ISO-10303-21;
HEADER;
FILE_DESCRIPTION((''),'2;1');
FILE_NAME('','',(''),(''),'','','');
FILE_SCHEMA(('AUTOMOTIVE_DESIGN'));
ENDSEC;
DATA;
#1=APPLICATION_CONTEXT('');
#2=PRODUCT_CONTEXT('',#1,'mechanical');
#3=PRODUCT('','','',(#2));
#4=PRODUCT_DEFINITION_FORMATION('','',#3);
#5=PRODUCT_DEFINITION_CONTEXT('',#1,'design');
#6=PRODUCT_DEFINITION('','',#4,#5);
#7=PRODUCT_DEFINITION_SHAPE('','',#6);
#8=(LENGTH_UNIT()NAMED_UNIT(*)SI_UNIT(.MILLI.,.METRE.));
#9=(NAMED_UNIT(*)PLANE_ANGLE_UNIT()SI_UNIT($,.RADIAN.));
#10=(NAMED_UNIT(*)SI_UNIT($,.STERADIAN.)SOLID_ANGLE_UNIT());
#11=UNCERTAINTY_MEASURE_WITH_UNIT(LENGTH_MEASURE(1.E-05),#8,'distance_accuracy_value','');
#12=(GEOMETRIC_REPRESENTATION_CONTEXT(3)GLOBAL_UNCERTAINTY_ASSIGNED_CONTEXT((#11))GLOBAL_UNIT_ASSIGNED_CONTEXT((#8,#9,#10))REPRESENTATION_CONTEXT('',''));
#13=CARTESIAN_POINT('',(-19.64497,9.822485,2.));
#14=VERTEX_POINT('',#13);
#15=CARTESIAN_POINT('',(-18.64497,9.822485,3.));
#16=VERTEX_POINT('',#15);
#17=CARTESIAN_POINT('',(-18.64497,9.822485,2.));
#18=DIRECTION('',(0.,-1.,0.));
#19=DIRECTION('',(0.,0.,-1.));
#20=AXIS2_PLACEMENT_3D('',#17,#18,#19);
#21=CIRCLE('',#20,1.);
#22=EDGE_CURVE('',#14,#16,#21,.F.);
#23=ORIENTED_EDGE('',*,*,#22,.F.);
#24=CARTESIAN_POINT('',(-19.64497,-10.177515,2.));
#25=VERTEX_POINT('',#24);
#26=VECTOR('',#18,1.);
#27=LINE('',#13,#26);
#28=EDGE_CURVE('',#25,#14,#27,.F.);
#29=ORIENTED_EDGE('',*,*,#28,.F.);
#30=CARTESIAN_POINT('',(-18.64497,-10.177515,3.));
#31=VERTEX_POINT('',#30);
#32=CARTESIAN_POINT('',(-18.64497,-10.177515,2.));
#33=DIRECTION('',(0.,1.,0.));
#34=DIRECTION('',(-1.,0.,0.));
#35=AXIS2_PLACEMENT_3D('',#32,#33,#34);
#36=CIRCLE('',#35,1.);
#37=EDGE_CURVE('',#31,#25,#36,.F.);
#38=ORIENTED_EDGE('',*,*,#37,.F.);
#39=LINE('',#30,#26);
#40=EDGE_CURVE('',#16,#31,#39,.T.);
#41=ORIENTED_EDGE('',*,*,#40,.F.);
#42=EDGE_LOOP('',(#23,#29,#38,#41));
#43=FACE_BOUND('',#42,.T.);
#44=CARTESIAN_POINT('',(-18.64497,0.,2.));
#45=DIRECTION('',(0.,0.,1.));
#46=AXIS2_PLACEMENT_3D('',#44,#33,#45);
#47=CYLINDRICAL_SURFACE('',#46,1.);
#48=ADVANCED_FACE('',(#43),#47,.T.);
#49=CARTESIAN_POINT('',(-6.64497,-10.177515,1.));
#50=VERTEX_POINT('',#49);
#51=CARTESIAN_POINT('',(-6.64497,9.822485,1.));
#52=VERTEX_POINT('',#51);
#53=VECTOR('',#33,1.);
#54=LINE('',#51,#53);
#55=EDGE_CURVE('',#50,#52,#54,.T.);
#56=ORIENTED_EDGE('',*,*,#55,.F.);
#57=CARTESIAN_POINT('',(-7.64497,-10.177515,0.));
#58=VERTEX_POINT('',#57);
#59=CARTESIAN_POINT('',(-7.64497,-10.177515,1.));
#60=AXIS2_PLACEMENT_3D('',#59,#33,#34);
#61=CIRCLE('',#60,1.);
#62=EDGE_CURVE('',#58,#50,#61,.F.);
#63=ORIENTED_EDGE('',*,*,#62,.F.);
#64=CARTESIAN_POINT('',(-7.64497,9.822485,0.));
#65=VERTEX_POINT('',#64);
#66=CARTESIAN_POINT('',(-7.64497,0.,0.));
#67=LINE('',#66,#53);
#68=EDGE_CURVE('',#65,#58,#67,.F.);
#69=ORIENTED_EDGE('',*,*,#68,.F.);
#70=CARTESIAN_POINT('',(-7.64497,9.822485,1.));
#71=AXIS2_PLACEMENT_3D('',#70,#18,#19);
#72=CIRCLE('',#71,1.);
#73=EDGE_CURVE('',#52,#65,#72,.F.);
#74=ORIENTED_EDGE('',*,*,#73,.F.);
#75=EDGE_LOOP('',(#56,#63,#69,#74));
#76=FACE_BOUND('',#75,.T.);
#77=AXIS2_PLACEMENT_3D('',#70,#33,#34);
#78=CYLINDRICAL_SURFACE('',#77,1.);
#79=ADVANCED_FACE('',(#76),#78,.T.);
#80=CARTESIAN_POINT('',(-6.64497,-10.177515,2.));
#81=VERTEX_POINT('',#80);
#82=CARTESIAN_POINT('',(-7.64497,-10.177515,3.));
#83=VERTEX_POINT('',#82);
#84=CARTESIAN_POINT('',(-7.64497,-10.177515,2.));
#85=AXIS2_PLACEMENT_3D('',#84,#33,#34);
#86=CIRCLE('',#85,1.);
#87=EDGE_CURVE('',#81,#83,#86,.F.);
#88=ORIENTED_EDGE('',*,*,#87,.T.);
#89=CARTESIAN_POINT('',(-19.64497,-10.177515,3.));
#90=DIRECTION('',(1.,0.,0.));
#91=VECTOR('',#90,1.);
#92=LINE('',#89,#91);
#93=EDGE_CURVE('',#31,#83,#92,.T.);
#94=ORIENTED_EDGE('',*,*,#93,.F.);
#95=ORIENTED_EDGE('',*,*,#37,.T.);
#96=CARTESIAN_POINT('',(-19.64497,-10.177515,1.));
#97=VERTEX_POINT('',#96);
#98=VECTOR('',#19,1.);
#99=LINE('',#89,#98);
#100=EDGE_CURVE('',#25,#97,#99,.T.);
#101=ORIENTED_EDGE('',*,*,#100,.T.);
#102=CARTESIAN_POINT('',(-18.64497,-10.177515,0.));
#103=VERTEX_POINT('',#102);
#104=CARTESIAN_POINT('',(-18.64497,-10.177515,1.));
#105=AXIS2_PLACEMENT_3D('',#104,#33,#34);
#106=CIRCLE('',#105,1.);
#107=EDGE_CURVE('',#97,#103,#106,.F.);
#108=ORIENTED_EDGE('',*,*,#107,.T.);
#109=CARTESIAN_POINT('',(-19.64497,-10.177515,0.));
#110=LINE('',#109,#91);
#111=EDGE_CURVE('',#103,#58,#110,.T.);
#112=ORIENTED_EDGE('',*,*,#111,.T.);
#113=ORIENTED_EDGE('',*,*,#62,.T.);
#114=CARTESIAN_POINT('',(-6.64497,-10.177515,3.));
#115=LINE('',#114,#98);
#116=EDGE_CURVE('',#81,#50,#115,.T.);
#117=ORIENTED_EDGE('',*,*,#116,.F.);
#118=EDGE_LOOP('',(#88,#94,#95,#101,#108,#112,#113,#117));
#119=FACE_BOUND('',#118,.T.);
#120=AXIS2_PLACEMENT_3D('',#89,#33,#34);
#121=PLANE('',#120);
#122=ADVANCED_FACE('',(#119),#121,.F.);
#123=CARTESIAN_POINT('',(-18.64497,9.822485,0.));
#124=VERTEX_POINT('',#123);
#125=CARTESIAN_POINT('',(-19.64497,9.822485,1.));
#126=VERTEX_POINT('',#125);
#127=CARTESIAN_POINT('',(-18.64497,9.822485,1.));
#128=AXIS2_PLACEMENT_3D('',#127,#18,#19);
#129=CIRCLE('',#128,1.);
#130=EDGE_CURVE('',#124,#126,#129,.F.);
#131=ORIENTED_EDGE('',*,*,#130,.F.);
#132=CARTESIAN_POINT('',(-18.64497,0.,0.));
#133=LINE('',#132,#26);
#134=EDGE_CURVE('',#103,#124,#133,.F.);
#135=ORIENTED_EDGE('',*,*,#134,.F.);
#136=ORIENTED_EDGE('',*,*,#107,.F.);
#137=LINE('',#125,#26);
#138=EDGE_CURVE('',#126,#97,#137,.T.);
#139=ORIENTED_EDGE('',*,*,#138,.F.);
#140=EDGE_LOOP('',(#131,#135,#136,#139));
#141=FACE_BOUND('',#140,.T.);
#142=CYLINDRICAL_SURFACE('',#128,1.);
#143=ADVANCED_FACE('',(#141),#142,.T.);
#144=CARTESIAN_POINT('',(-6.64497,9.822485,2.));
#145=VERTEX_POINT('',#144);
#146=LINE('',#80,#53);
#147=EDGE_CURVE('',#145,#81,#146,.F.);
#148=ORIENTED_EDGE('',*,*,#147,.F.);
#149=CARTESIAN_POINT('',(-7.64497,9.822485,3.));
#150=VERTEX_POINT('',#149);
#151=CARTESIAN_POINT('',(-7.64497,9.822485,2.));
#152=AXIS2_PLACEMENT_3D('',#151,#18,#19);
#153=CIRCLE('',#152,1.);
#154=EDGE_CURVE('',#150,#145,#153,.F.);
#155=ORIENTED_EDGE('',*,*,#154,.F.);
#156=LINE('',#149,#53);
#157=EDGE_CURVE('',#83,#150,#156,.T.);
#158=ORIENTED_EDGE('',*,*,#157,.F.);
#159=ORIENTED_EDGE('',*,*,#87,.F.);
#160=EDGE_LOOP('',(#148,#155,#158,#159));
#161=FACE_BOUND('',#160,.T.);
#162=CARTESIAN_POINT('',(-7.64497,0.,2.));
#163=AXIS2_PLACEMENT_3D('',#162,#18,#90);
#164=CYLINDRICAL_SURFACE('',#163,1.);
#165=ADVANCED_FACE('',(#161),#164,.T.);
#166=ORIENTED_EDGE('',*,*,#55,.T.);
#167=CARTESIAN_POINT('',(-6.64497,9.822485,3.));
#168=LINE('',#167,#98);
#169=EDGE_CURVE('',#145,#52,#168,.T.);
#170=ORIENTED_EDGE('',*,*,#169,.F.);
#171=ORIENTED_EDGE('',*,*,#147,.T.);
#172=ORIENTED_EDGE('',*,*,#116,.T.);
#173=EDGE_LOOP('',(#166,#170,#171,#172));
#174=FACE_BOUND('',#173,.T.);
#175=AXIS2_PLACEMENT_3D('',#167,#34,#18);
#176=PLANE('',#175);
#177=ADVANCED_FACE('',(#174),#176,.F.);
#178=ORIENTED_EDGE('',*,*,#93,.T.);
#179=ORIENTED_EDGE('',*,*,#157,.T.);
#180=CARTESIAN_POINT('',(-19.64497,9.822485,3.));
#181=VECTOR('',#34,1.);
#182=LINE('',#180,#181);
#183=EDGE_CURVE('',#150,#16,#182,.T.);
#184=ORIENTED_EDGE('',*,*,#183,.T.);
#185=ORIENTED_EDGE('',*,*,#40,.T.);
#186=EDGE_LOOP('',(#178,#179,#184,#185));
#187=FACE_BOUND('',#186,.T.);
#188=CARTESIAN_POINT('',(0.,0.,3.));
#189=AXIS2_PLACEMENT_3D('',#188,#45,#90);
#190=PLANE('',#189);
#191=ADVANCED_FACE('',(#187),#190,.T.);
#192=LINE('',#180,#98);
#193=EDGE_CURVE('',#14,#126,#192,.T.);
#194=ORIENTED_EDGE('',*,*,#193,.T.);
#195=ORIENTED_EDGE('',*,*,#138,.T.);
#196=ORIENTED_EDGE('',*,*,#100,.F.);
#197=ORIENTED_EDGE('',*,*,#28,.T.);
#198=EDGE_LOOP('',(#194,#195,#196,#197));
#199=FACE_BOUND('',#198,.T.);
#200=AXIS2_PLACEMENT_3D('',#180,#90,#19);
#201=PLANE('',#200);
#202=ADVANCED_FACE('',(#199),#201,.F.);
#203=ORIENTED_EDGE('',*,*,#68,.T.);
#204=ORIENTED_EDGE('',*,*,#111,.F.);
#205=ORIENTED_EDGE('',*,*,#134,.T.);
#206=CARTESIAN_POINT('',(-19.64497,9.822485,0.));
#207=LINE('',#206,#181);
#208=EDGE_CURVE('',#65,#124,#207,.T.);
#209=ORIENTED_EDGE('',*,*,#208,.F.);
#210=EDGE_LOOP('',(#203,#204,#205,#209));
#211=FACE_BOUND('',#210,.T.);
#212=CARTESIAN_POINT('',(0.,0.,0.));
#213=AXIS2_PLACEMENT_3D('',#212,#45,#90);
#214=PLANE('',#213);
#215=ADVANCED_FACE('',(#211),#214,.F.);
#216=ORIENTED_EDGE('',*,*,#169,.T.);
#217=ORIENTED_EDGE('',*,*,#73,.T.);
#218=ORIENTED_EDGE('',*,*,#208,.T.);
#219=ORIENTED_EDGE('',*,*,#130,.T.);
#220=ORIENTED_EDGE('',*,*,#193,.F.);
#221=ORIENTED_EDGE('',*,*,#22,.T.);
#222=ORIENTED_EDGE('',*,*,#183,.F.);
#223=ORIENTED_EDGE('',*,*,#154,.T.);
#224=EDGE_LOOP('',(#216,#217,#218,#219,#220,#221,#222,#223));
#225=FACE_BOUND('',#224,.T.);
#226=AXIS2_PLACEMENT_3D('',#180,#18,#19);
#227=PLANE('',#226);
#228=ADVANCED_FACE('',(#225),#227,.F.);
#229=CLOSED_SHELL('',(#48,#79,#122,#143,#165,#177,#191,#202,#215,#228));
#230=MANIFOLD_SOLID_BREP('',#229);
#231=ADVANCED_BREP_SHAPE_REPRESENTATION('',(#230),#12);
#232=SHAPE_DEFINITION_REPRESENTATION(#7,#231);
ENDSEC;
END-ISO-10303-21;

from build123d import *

# Parameters (mm, degrees)
CROQUIS1_W              = 13
CROQUIS1_H              = 20
SALIENTE_EXTRUIR1_DEPTH = 3
REDONDEO1_R             = 1


with BuildPart() as part:
    # Croquis1 → Saliente-Extruir1 (new body)
    with BuildSketch(Plane.XY):
        with Locations((-13.144970414, -0.177514793)):
            Rectangle(CROQUIS1_W, CROQUIS1_H)
    extrude(amount=SALIENTE_EXTRUIR1_DEPTH)

    # Redondeo1
    redondeo1_edges = [part.edges().sort_by_distance(p)[0] for p in [
        (-6.644970414, -0.177514793, 3),
        (-19.644970414, -0.177514793, 3),
        (-6.644970414, -0.177514793, 0),
        (-19.644970414, -0.177514793, 0),
    ]]
    fillet(redondeo1_edges, radius=REDONDEO1_R)


solid = part.part
